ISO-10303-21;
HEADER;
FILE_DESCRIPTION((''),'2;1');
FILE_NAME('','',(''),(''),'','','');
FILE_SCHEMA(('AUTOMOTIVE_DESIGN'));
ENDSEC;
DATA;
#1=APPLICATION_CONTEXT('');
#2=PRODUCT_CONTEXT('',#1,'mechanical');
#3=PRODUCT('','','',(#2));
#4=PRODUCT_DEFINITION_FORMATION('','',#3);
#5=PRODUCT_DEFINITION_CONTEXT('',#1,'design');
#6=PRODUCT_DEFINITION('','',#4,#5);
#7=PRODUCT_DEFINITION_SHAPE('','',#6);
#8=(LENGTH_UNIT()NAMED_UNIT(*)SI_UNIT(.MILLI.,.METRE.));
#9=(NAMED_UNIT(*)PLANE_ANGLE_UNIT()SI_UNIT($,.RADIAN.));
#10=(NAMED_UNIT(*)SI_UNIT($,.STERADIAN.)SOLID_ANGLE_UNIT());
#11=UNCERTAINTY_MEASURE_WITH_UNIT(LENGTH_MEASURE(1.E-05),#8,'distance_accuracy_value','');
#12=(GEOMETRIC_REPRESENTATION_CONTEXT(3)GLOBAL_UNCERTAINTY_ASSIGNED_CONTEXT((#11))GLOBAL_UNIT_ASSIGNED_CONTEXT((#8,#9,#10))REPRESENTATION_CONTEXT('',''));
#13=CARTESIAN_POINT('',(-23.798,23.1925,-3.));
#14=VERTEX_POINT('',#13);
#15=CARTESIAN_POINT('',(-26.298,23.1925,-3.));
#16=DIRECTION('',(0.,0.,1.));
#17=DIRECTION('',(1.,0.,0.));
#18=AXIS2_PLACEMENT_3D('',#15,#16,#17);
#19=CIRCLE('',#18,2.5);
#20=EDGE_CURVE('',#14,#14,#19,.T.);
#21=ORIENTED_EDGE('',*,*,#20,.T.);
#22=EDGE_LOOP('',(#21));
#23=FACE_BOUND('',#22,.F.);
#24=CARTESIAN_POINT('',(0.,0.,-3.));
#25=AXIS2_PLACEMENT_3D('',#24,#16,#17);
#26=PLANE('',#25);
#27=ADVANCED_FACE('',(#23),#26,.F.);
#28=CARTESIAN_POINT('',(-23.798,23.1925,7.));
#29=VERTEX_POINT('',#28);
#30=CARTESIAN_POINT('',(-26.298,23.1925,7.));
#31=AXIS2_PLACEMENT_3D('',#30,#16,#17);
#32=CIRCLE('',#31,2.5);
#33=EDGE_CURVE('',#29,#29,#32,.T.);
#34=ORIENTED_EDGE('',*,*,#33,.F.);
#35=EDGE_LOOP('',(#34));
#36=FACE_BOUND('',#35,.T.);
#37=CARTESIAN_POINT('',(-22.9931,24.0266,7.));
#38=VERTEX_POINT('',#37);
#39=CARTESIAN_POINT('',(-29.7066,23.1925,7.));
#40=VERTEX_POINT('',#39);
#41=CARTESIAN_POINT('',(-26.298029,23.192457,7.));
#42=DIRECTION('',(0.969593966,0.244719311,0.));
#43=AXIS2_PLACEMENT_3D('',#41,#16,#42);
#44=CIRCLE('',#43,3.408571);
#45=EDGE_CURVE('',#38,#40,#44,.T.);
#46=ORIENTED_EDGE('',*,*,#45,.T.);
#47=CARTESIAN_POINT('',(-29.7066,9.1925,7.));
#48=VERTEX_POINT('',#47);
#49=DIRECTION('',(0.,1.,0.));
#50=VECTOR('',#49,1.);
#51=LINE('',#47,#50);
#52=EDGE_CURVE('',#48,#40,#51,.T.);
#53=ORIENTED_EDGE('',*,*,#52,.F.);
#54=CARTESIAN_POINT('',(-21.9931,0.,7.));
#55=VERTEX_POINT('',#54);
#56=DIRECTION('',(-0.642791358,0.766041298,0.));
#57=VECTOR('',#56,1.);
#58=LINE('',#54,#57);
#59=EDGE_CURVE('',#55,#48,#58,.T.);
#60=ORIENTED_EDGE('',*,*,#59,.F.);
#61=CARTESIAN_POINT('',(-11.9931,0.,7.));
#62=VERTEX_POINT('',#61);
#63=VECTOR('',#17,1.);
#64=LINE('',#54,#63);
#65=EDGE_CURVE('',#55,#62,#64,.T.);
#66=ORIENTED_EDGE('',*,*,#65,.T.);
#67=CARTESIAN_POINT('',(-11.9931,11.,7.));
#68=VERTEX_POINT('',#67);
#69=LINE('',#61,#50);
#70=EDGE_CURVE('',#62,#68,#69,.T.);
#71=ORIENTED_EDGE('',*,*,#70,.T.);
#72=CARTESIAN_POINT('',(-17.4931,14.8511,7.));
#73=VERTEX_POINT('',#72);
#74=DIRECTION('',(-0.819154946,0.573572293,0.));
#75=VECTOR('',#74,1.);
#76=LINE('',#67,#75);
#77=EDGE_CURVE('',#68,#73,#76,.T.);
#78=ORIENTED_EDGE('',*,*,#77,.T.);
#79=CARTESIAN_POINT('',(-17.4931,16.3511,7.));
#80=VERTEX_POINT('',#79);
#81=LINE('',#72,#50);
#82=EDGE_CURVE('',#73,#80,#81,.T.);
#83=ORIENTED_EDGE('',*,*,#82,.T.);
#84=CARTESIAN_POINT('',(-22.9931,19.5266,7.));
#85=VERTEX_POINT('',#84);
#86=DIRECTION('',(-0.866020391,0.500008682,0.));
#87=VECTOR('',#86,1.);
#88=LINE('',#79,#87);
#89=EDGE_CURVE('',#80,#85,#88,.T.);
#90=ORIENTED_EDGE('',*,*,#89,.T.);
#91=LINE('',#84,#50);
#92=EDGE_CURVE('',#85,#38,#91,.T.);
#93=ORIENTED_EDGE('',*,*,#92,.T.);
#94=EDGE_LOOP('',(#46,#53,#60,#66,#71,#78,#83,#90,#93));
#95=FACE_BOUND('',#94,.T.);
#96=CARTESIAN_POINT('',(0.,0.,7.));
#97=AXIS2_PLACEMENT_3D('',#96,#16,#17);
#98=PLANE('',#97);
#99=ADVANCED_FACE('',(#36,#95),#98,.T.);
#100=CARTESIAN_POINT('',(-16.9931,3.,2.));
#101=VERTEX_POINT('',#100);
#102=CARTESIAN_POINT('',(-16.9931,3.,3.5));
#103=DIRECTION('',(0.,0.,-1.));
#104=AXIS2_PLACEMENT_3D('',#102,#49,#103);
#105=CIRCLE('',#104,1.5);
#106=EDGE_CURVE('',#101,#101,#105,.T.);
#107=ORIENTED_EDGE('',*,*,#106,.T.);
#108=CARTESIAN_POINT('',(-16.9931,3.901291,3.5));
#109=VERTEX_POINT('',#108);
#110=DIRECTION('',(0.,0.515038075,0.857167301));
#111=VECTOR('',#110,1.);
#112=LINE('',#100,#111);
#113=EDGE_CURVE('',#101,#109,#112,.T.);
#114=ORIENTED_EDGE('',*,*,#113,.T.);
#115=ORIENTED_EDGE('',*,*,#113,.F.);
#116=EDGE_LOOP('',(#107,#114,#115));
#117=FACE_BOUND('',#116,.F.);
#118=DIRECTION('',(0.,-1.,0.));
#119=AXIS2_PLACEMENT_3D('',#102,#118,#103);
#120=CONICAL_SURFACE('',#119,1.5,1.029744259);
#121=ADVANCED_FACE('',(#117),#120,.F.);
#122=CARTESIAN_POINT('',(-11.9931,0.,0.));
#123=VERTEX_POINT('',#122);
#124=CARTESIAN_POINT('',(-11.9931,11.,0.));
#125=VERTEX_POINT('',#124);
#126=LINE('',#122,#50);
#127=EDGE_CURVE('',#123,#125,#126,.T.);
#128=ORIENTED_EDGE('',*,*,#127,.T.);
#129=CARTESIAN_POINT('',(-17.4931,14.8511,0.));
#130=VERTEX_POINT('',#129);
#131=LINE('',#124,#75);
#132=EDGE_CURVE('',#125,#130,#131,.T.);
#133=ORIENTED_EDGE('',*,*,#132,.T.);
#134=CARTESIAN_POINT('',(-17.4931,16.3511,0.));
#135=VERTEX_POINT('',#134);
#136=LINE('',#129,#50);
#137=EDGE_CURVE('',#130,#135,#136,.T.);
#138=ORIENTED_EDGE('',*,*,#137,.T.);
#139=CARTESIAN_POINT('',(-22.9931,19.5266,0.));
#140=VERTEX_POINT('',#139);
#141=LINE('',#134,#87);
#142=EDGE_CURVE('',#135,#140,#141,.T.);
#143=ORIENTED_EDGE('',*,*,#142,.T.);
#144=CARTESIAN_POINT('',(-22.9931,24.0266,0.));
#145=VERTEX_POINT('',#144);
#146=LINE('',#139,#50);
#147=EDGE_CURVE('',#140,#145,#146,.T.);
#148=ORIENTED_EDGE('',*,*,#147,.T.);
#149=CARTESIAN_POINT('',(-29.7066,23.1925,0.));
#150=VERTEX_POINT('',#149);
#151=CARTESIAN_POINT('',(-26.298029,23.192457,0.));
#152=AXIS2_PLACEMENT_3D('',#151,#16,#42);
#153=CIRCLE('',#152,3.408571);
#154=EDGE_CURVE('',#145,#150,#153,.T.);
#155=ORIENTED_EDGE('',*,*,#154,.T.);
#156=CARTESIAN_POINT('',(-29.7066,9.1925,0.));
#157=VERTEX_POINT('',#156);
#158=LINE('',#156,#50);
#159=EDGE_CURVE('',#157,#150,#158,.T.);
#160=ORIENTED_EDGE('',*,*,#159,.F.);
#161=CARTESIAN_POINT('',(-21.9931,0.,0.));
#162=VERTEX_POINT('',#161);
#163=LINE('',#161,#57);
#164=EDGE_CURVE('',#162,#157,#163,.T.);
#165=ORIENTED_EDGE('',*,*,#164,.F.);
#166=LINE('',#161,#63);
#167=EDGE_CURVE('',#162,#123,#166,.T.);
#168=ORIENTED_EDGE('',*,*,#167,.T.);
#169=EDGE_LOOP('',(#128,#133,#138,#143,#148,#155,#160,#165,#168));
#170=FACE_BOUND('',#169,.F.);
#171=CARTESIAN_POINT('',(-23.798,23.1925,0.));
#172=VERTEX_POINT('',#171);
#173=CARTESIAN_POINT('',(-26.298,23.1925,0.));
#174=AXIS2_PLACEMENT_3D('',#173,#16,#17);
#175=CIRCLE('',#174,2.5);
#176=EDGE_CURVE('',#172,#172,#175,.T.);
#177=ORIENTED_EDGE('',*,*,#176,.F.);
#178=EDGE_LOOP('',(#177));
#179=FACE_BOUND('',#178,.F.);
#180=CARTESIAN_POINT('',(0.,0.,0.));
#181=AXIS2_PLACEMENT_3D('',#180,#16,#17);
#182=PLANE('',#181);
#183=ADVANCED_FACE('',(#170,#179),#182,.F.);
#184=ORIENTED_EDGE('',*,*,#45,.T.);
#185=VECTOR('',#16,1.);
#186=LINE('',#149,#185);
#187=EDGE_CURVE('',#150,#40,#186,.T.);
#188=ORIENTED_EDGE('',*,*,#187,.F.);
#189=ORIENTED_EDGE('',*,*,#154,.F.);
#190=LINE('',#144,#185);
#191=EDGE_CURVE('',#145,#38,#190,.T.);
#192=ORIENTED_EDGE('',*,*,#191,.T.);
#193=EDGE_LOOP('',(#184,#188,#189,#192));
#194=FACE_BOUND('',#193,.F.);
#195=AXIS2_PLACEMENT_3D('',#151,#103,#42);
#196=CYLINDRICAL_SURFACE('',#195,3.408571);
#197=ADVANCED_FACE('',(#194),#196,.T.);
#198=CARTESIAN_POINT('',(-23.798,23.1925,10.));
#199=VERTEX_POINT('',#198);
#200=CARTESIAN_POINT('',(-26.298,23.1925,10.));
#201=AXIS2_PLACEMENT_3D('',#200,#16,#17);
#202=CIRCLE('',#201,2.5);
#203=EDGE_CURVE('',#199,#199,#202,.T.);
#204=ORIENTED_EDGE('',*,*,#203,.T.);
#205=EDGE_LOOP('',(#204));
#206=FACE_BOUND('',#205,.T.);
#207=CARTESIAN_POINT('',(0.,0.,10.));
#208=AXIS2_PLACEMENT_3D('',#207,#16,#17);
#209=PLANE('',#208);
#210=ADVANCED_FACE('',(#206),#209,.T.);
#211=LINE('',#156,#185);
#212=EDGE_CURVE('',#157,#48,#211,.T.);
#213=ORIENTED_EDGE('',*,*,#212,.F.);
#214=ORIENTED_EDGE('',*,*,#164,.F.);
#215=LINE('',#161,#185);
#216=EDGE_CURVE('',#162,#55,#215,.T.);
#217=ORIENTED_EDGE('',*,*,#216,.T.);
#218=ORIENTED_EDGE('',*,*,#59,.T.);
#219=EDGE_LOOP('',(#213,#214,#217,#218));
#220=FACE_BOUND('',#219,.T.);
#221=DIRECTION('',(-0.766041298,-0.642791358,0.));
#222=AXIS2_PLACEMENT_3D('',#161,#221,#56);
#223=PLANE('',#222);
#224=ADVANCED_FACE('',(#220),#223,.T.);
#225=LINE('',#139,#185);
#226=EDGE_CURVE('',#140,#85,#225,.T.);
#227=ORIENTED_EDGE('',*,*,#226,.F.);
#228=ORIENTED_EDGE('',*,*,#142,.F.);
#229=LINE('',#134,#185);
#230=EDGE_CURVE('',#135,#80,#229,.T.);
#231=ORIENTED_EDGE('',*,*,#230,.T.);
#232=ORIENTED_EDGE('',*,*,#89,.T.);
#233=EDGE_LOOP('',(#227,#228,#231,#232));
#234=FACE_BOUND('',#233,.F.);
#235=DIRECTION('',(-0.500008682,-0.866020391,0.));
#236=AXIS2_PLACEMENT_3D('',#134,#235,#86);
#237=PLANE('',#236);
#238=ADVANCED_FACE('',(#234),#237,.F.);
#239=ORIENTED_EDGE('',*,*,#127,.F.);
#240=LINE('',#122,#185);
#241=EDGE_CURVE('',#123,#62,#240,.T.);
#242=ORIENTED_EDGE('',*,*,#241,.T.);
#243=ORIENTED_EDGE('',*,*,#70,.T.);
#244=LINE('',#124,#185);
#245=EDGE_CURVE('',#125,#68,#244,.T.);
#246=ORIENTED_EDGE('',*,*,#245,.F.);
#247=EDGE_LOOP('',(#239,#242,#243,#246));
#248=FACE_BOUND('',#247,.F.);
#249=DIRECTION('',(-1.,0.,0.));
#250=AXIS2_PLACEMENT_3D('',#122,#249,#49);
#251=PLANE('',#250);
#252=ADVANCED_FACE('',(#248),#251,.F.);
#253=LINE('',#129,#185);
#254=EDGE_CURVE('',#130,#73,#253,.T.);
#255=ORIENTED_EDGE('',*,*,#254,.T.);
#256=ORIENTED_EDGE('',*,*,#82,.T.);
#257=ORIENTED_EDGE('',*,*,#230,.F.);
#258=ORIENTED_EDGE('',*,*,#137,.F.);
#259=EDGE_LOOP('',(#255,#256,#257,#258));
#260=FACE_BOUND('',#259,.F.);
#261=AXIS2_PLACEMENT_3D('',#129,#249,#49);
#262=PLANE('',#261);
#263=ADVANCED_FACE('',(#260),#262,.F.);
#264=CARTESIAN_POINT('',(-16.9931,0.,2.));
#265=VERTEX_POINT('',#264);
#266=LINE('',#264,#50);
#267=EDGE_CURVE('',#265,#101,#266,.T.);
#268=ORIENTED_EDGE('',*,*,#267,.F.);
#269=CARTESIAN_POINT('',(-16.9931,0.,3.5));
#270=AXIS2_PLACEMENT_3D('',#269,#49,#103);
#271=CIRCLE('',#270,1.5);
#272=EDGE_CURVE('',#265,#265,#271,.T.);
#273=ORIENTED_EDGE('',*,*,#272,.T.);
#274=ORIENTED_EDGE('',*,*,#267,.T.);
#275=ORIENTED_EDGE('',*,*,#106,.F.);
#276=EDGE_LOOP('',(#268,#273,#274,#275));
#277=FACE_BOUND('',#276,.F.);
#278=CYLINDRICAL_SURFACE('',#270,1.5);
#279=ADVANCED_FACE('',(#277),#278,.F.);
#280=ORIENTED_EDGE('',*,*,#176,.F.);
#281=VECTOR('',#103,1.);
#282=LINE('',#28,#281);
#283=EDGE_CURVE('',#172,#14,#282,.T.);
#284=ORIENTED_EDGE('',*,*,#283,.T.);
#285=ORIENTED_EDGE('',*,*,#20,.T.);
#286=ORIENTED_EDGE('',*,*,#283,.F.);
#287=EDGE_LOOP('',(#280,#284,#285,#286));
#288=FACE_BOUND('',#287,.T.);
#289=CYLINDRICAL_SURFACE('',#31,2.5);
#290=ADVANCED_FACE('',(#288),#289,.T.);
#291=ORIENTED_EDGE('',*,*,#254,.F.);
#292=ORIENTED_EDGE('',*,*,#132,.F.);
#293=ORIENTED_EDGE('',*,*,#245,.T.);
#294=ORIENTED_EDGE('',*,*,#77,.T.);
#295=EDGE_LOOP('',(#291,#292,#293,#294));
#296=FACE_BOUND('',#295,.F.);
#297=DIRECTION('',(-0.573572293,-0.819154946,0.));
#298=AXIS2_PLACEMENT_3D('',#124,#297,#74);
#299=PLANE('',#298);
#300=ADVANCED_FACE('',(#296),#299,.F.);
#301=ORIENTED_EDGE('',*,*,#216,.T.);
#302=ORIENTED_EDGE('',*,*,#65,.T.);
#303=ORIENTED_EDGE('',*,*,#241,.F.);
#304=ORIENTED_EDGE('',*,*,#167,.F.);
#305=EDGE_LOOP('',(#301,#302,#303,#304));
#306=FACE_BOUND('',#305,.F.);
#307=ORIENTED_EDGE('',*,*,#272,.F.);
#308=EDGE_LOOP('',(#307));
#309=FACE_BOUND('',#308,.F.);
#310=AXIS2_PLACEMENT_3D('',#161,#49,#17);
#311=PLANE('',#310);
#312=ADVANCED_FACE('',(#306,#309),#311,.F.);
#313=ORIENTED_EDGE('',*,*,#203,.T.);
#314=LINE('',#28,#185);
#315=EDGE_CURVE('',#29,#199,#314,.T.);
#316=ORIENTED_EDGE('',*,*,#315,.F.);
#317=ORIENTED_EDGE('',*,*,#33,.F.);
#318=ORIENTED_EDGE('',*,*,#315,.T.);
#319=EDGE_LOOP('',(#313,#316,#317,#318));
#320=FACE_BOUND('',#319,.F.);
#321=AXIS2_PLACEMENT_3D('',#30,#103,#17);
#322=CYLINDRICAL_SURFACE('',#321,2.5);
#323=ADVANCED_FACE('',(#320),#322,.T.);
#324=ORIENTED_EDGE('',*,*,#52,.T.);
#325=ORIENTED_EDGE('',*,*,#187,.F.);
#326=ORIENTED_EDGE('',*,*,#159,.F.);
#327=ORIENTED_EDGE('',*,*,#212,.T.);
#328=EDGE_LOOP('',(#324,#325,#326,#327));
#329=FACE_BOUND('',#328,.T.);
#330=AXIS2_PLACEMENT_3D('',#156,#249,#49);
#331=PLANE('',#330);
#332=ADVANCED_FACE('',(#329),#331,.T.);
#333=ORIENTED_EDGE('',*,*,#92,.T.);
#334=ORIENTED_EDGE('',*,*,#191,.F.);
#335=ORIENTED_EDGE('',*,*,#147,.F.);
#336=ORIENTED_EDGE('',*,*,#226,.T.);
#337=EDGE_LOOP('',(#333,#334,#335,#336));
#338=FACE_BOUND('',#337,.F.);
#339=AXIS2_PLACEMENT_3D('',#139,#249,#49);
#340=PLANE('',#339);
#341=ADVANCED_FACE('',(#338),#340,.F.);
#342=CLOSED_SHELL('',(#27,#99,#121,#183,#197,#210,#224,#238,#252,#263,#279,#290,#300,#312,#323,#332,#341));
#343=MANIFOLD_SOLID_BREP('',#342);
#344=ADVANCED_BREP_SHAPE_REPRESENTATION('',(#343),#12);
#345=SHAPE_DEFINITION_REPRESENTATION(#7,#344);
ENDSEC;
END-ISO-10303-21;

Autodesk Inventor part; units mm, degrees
ref_plane "YZ Plane" through (0, 0, 0) normal (1, 0, 0) x (0, 1, 0)
ref_plane "XZ Plane" through (0, 0, 0) normal (0, 1, 0) x (-1, 0, 0)
ref_plane "XY Plane" through (0, 0, 0) normal (0, 0, 1) x (1, 0, 0)
sketch "Sketch1" plane through (0, 0, 0) normal (0, 0, 1) x (1, 0, 0)
  line L0 (-21.9931, 0) -> (-11.9931, 0)
  line L1 (-11.9931, 0) -> (-11.9931, 11)
  line L2 (-21.9931, 0) -> (-29.7066, 9.1925)
  line L3 (-29.7066, 9.1925) -> (-29.7066, 23.1925)
  line L4 (-11.9931, 11) -> (-17.4931, 14.8511)
  line L5 (-17.4931, 14.8511) -> (-17.4931, 16.3511)
  line L6 (-17.4931, 16.3511) -> (-22.9931, 19.5266)
  line L7 (-22.9931, 19.5266) -> (-22.9931, 24.0266)
  arc A0 (-22.9931, 24.0266) -> (-29.7066, 23.1925) centre (-26.298, 23.1925) ccw
  line L8 (-36.09, 0) -> (6.015, 0) projected
  point P0 (0, 0)
  dimension "d0" = 10
  dimension "d1" = 11
  dimension "d2" = 5.5
  dimension "d4" = 5.5
  dimension "d5" = 12
  dimension "d6" = 14
  dimension "d7" = 1.5
  dimension "d9" = 130
  dimension "d10" = 125
  dimension "d12" = 4.5
  dimension "d13" = 120
extrude "Extrusion1" add sketch "Sketch1" along normal blind 7
sketch "Sketch3" plane through (-21.9931, 0, 0) normal (0, -1, 0) x (1, 0, 0)
  circle A0 centre (5, 3.5) radius 1.5
  line L0 (0, 7) -> (10, 7) projected
  line L1 (10, 0) -> (10, 7) projected
  line L2 (0, 0) -> (0, 7) projected
  point P0 (21.9931, 0)
  dimension "d23" = 3.5
  dimension "d24" = 5
  dimension "d33" = 3
hole "Hole2" at (-16.9931, 0, 3.5) direction (0, 1, 0) diameter 3 depth 3 tip angle 118
sketch "Sketch4" plane through (0, 0, 7) normal (0, 0, 1) x (1, 0, 0)
  circle A0 centre (-49.3195, 43.5537) radius 2.5
  line L0 (-29.7066, 9.1925) -> (-21.9931, 0) projected
  line L1 (-21.9931, 0) -> (-11.9931, 0) projected
  line L2 (-11.9931, 0) -> (-11.9931, 11) projected
  line L3 (-11.9931, 11) -> (-17.4931, 14.8511) projected
  line L4 (-17.4931, 14.8511) -> (-17.4931, 16.3511) projected
  line L5 (-17.4931, 16.3511) -> (-22.9931, 19.5266) projected
  line L6 (-22.9931, 19.5266) -> (-22.9931, 24.0266) projected
  arc A1 (-22.9931, 24.0266) -> (-29.7066, 23.1925) centre (-26.298, 23.1925) ccw projected
  line L7 (-29.7066, 23.1925) -> (-29.7066, 9.1925) projected
  circle A2 centre (-26.298, 23.1925) radius 2.5
  point P0 (0, 0)
  dimension "d34" = 5
  dimension "d35" = 5
extrude "Extrusion2" add sketch "Sketch4" along normal blind 3 and the other way blind 10 contours A2
properties part number "McCrea_velky_krk_walle"
